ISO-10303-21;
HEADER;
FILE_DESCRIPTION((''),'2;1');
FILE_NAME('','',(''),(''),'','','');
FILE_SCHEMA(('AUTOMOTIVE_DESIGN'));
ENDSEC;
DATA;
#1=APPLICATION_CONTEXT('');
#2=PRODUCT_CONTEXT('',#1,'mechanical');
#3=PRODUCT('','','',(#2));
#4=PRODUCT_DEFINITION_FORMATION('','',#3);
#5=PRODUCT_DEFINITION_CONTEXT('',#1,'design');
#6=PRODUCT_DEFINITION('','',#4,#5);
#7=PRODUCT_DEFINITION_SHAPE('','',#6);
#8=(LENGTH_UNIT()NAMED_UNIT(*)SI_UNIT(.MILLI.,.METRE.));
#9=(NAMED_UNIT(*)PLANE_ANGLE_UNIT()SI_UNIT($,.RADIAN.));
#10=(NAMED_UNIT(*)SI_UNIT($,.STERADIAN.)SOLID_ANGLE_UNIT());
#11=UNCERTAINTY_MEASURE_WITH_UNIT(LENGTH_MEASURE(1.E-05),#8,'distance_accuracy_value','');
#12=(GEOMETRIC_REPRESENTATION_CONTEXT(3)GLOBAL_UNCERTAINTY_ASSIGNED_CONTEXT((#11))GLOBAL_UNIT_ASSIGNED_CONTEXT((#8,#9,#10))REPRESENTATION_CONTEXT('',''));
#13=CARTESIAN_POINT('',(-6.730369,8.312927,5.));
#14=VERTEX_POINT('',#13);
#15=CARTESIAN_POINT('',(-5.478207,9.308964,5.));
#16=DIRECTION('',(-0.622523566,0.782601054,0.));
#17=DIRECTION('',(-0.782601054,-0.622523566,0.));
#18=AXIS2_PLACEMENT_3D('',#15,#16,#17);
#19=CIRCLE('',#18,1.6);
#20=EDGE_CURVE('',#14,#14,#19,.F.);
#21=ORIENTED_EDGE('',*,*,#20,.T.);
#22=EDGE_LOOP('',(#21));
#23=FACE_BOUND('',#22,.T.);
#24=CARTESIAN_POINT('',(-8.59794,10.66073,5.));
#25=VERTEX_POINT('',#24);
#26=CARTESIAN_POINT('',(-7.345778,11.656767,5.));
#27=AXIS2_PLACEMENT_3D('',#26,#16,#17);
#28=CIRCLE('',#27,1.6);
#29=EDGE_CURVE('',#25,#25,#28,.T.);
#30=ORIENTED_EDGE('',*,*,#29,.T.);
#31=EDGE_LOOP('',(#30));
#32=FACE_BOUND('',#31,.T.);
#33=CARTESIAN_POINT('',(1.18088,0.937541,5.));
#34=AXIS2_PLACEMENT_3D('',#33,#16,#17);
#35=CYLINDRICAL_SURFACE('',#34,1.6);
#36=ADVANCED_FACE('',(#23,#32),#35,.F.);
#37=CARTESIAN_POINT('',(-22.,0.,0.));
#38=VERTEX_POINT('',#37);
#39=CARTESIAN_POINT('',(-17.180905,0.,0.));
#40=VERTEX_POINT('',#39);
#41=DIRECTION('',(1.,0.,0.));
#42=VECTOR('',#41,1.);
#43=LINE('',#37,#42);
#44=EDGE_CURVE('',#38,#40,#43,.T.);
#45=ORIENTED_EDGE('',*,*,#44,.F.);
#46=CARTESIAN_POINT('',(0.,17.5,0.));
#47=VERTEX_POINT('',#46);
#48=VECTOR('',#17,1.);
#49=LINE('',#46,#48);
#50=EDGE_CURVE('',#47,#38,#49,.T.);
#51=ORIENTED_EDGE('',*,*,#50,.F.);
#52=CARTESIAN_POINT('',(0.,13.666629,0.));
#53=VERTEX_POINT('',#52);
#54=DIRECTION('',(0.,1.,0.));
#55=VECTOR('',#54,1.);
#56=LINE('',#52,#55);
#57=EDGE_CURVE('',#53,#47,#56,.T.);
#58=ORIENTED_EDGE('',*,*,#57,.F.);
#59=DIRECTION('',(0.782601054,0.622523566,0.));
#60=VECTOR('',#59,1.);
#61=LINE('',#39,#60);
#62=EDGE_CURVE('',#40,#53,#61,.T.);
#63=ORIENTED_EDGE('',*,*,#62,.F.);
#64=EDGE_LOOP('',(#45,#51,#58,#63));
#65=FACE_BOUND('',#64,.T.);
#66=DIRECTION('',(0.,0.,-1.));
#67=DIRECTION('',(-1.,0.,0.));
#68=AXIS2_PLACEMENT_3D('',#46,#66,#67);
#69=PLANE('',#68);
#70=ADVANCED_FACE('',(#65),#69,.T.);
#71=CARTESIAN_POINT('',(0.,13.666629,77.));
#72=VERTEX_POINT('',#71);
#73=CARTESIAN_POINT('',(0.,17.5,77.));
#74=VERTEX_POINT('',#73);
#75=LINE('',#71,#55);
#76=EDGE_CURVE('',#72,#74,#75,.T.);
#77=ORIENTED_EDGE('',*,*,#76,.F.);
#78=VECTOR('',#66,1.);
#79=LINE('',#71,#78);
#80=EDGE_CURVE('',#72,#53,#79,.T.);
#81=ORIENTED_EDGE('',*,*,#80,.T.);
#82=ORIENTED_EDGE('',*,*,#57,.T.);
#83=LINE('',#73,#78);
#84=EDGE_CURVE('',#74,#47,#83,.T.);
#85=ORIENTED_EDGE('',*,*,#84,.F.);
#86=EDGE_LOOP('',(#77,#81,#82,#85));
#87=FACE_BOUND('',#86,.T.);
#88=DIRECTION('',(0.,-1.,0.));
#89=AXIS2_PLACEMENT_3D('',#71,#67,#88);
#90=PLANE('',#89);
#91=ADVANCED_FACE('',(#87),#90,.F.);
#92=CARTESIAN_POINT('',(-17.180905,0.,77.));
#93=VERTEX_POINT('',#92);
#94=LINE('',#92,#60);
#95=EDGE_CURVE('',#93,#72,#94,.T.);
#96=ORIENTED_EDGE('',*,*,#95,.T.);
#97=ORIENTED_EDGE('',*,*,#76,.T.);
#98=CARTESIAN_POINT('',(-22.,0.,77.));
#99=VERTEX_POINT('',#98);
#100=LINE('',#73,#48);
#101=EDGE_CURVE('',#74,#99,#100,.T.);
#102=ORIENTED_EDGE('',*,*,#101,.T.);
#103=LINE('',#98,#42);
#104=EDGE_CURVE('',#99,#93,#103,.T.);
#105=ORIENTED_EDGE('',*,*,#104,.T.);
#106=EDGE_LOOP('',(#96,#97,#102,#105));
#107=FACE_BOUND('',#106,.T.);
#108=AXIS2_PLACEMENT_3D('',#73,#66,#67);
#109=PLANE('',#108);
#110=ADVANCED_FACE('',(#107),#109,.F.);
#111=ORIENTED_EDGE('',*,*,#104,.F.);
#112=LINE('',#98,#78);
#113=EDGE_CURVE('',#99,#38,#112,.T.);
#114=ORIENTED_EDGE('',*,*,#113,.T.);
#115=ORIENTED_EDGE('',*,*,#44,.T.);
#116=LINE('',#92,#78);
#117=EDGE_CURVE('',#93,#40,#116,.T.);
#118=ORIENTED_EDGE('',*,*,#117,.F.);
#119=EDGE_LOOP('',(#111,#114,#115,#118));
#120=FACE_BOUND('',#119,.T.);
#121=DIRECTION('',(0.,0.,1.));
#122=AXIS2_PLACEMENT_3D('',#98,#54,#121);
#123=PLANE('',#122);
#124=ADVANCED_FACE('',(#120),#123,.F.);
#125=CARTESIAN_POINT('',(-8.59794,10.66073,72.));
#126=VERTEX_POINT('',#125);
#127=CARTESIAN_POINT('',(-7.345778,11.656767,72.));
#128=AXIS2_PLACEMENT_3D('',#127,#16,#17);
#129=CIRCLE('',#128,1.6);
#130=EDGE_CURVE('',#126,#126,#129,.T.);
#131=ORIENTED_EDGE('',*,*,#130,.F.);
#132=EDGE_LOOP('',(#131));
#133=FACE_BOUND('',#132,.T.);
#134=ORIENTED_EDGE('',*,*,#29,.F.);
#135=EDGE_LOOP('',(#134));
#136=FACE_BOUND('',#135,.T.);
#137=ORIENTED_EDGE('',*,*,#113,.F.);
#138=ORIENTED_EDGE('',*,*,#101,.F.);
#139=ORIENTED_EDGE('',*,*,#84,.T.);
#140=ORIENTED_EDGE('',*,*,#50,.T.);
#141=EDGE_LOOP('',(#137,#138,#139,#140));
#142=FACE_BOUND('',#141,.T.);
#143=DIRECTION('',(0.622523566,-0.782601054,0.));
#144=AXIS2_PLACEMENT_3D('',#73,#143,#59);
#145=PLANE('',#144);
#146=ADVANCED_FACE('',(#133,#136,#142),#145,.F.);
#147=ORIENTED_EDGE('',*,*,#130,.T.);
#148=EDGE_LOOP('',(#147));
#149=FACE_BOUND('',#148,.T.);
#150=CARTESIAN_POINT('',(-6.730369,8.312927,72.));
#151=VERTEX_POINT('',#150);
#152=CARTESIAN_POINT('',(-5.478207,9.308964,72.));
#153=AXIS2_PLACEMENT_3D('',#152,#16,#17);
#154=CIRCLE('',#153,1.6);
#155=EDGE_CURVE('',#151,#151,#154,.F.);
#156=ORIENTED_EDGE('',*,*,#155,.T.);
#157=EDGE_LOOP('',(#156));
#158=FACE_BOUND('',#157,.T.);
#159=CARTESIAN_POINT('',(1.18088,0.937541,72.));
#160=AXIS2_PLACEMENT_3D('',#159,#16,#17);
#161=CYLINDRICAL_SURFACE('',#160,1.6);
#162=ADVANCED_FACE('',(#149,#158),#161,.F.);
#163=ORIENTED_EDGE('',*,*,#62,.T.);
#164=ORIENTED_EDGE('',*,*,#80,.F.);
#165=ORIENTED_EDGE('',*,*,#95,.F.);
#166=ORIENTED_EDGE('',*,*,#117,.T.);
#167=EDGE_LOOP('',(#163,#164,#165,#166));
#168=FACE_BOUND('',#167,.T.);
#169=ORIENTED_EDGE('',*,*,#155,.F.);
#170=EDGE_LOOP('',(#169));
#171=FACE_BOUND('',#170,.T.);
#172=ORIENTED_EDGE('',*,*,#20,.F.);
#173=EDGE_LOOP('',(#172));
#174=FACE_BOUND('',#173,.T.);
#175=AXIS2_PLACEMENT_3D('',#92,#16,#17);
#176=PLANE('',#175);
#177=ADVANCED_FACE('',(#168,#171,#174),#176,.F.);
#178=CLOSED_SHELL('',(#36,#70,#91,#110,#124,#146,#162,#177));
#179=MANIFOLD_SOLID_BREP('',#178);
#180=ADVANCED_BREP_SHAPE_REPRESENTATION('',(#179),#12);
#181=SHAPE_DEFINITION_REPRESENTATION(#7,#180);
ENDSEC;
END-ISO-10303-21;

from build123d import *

# Parameters (mm, degrees)
SALIENTE_EXTRUIR1_DEPTH = 77
CORTAR_EXTRUIR1_REACH   = 15.696
CROQUIS2_R              = 1.6


with BuildPart() as part:
    # Croquis1 → Saliente-Extruir1 (new body)
    with BuildSketch(Plane.XY):
        Polygon((-22, 0), (-17.180905327, 0), (0, 13.666629237), (0, 17.5), align=None)
    extrude(amount=SALIENTE_EXTRUIR1_DEPTH)

    # Croquis2 → Cortar-Extruir1 (cut, up to next)
    with BuildSketch(Plane(origin=(-8.52578298, 10.718127175, 0), x_dir=(0.782601054, 0.622523566, 0), z_dir=(-0.622523566, 0.782601054, 0)), mode=Mode.PRIVATE) as cortar_extruir1_sk1:
        with Locations((1.507798766, -5)):
            Circle(CROQUIS2_R)
    cortar_extruir1_tool1 = extrude(cortar_extruir1_sk1.sketch, amount=-CORTAR_EXTRUIR1_REACH, mode=Mode.PRIVATE) & part.part
    add(cortar_extruir1_tool1.solids().sort_by_distance((-7.345778, 11.656767, 5))[0], mode=Mode.SUBTRACT)
    # Croquis2 → Cortar-Extruir1 (cut, up to next)
    with BuildSketch(Plane(origin=(-8.52578298, 10.718127175, 0), x_dir=(0.782601054, 0.622523566, 0), z_dir=(-0.622523566, 0.782601054, 0)), mode=Mode.PRIVATE) as cortar_extruir1_sk2:
        with Locations((1.507798766, -72)):
            Circle(CROQUIS2_R)
    cortar_extruir1_tool2 = extrude(cortar_extruir1_sk2.sketch, amount=-CORTAR_EXTRUIR1_REACH, mode=Mode.PRIVATE) & part.part
    add(cortar_extruir1_tool2.solids().sort_by_distance((-7.345778, 11.656767, 72))[0], mode=Mode.SUBTRACT)


solid = part.part
